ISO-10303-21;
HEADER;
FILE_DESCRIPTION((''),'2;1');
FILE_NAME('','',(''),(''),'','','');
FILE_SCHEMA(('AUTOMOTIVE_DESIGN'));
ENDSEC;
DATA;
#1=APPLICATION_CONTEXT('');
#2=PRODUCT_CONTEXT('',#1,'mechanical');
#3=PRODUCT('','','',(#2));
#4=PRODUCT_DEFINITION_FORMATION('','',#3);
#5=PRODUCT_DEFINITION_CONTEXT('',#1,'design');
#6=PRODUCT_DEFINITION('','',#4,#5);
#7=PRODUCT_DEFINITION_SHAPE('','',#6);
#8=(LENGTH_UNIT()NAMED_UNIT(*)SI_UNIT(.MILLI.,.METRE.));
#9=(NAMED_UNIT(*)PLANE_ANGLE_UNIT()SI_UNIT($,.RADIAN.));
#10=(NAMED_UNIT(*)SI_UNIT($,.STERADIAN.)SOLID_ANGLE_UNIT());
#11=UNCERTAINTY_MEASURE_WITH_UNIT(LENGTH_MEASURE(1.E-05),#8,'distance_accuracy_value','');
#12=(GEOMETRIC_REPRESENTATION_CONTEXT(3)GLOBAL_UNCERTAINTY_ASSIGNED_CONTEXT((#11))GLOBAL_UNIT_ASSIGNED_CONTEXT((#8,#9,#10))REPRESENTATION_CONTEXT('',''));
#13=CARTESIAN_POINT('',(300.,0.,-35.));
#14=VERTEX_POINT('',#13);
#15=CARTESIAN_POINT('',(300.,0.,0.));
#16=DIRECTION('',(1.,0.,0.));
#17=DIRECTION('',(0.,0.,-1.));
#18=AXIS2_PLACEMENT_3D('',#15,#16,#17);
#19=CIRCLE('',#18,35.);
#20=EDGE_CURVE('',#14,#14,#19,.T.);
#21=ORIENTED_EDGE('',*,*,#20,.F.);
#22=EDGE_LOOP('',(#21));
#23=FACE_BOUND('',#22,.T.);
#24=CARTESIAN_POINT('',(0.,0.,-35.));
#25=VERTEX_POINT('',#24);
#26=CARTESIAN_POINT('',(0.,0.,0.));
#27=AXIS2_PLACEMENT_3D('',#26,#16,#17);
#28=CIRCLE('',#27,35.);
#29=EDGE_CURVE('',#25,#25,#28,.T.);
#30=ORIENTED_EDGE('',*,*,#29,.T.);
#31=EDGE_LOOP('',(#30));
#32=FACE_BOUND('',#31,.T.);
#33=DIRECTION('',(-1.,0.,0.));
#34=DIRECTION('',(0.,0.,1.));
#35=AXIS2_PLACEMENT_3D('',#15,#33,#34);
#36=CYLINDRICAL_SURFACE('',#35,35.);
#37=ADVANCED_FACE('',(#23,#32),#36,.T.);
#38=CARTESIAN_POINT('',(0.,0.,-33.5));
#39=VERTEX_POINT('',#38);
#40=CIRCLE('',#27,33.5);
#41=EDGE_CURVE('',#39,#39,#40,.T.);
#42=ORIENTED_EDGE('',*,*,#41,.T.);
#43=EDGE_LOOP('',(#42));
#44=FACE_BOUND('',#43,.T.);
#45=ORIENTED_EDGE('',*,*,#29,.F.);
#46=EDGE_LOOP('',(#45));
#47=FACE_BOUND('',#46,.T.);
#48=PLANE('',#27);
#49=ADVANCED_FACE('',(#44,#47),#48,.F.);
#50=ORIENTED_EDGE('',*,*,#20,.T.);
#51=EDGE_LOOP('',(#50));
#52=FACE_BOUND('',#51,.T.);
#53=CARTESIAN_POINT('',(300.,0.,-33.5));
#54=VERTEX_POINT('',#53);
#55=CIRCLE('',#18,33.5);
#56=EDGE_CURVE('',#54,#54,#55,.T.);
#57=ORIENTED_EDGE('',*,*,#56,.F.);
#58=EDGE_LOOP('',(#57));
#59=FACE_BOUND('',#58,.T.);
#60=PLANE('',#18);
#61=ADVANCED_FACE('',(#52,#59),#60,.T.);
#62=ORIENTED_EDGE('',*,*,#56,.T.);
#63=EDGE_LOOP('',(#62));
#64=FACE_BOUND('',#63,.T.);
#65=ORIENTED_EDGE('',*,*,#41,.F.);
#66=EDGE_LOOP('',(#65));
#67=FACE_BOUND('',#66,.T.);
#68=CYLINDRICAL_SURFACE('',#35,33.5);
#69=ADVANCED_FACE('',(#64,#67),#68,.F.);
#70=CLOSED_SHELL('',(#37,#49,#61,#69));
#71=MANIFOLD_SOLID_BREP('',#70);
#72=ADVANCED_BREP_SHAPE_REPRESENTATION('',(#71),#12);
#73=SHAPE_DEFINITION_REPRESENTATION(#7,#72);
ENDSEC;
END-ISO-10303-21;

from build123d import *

# Parameters (mm, degrees)
SKETCH_1_R      = 35
SKETCH_1_R_2    = 33.5
EXTRUDE_1_DEPTH = 300


with BuildPart() as part:
    # 草图1 → 凸台-拉伸1 (new body)
    with BuildSketch(Plane(origin=(0, 0, 0), x_dir=(0, 0, -1), z_dir=(1, 0, 0))):
        Circle(SKETCH_1_R)
        Circle(SKETCH_1_R_2, mode=Mode.SUBTRACT)
    extrude(amount=EXTRUDE_1_DEPTH)


solid = part.part
